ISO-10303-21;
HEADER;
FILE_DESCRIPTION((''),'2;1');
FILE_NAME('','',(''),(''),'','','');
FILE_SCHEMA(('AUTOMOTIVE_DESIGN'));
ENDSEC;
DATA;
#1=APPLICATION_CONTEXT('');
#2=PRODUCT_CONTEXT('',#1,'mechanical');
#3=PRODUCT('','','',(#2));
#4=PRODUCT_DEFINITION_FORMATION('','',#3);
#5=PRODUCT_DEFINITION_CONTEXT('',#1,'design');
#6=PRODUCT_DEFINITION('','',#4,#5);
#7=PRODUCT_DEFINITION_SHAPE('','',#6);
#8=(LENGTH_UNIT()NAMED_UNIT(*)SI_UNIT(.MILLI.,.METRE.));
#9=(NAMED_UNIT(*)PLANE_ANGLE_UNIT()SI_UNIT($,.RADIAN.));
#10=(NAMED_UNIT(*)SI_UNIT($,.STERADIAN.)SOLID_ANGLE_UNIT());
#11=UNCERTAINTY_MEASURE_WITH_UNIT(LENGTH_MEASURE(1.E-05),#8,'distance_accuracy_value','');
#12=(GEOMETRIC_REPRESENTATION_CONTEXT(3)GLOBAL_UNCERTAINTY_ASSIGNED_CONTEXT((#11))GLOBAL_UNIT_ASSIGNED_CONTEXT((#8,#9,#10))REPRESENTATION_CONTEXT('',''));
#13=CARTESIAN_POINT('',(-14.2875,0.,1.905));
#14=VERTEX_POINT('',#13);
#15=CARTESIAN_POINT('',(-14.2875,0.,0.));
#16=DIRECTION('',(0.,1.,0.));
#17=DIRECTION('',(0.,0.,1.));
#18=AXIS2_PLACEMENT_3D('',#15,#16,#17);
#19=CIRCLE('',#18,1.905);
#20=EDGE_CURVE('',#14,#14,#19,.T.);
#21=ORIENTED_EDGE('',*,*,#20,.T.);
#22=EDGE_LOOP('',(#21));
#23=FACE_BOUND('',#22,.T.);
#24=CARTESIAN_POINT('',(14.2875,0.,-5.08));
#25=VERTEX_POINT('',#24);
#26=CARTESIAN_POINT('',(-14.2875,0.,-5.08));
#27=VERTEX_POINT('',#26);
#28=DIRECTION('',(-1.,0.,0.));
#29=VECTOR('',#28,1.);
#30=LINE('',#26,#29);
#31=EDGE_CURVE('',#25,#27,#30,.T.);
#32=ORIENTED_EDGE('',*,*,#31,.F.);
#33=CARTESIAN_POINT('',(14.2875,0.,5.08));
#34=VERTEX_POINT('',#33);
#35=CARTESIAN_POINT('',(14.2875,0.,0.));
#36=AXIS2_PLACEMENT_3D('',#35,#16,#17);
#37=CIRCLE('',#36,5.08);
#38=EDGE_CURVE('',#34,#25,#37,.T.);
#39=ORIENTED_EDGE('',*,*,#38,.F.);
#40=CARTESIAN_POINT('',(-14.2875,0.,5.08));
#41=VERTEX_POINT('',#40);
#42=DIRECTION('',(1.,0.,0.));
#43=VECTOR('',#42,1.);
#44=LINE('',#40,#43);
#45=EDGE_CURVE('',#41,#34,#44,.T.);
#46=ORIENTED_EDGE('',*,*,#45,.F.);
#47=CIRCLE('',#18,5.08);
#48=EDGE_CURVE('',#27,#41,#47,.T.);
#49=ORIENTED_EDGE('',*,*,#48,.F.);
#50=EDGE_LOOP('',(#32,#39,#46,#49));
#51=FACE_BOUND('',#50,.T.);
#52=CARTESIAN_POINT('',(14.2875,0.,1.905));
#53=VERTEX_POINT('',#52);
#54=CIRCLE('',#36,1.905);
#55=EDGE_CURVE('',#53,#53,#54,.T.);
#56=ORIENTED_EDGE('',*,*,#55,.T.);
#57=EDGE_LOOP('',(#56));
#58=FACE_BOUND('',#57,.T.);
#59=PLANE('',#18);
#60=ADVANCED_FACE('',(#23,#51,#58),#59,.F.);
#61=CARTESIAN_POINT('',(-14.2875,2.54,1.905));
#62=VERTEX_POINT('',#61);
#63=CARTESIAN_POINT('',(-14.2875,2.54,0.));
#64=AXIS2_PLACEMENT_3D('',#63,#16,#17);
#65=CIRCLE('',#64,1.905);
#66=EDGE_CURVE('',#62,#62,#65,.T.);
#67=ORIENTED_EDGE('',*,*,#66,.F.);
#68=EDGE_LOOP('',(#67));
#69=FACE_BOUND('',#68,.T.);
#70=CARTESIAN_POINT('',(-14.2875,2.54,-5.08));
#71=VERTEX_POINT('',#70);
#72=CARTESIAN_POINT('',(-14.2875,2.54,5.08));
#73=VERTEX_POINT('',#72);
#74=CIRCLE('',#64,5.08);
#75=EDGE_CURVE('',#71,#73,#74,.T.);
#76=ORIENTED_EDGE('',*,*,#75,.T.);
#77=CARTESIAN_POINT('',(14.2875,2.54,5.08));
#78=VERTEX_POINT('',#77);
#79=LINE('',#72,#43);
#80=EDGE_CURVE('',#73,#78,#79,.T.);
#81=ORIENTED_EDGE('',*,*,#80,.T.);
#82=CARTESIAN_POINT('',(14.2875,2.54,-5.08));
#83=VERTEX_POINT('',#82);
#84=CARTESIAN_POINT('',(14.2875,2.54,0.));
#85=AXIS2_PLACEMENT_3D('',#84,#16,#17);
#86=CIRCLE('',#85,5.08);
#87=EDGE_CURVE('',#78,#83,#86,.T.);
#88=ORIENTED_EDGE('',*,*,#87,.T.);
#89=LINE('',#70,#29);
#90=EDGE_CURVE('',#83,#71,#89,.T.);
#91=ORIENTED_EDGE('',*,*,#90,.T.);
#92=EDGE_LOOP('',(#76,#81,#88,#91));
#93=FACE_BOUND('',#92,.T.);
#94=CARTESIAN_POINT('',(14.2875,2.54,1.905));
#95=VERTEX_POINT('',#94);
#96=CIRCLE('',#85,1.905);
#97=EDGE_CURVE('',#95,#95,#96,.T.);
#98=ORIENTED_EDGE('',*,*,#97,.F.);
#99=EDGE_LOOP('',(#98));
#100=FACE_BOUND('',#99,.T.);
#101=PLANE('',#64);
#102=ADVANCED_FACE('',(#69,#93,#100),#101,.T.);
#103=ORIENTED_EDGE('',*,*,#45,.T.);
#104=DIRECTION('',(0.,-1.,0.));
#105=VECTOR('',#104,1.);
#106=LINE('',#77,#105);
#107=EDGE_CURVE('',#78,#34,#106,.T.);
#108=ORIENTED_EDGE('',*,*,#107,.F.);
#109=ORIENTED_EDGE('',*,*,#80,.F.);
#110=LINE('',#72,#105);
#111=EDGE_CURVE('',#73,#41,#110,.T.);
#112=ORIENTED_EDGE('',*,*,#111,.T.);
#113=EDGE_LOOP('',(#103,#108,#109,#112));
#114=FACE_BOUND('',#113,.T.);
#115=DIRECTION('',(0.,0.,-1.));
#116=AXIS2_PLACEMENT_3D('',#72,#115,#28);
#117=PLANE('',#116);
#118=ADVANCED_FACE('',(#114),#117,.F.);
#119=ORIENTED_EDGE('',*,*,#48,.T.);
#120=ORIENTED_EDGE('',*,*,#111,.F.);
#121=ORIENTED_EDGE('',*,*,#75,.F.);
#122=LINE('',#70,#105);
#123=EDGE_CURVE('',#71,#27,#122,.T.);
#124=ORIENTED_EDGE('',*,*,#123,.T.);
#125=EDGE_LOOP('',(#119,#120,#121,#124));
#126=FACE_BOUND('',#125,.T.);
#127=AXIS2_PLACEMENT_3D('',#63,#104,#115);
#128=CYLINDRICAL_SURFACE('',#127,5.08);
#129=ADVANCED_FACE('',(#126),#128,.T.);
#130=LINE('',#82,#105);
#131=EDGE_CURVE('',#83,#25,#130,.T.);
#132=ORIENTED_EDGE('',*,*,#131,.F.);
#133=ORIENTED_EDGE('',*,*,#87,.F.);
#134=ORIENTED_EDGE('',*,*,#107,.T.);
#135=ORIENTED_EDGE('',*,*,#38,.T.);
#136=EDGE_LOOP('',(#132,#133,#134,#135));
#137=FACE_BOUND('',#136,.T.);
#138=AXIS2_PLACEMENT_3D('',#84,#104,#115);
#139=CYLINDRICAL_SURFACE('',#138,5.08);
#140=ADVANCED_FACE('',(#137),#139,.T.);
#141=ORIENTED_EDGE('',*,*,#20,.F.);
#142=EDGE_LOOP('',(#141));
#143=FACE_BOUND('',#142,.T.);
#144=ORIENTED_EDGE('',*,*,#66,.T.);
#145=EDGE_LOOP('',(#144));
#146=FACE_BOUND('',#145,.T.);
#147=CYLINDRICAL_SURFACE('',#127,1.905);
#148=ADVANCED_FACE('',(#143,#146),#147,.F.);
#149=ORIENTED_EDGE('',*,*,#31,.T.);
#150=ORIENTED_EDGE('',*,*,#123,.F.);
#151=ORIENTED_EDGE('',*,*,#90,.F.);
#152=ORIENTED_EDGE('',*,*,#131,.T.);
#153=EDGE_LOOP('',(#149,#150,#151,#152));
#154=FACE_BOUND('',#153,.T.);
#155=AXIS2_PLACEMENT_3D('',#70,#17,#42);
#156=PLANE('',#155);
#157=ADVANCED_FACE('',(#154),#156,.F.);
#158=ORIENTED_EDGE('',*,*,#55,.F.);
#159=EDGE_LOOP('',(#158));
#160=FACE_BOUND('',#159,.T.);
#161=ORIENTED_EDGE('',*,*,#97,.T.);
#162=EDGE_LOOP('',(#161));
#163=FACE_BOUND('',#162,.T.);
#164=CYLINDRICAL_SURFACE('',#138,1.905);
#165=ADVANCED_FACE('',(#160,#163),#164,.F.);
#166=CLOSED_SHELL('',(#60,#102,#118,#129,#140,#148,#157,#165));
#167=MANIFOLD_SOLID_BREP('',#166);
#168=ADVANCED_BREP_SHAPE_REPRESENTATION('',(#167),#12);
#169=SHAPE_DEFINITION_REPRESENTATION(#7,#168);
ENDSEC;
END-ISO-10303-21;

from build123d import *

# Parameters (mm, degrees)
SKETCH1_R           = 1.905
BOSS_EXTRUDE1_DEPTH = 2.54


with BuildPart() as part:
    # Sketch1 → Boss-Extrude1 (new body)
    with BuildSketch(Plane(origin=(0, 0, 0), x_dir=(1, 0, 0), z_dir=(0, 1, 0))):
        with BuildLine():
            Line((-14.2875, 5.08), (14.2875, 5.08))
            ThreePointArc((14.2875, 5.08), (19.3675, 0), (14.2875, -5.08))
            Line((14.2875, -5.08), (-14.2875, -5.08))
            ThreePointArc((-14.2875, -5.08), (-19.3675, 0), (-14.2875, 5.08))
        make_face()
        with Locations(Location((-14.2875, 0, 0), (0, 0, 270))):
            Circle(SKETCH1_R, mode=Mode.SUBTRACT)
        with Locations(Location((14.2875, 0, 0), (0, 0, 270))):
            Circle(SKETCH1_R, mode=Mode.SUBTRACT)
    extrude(amount=BOSS_EXTRUDE1_DEPTH)


solid = part.part
